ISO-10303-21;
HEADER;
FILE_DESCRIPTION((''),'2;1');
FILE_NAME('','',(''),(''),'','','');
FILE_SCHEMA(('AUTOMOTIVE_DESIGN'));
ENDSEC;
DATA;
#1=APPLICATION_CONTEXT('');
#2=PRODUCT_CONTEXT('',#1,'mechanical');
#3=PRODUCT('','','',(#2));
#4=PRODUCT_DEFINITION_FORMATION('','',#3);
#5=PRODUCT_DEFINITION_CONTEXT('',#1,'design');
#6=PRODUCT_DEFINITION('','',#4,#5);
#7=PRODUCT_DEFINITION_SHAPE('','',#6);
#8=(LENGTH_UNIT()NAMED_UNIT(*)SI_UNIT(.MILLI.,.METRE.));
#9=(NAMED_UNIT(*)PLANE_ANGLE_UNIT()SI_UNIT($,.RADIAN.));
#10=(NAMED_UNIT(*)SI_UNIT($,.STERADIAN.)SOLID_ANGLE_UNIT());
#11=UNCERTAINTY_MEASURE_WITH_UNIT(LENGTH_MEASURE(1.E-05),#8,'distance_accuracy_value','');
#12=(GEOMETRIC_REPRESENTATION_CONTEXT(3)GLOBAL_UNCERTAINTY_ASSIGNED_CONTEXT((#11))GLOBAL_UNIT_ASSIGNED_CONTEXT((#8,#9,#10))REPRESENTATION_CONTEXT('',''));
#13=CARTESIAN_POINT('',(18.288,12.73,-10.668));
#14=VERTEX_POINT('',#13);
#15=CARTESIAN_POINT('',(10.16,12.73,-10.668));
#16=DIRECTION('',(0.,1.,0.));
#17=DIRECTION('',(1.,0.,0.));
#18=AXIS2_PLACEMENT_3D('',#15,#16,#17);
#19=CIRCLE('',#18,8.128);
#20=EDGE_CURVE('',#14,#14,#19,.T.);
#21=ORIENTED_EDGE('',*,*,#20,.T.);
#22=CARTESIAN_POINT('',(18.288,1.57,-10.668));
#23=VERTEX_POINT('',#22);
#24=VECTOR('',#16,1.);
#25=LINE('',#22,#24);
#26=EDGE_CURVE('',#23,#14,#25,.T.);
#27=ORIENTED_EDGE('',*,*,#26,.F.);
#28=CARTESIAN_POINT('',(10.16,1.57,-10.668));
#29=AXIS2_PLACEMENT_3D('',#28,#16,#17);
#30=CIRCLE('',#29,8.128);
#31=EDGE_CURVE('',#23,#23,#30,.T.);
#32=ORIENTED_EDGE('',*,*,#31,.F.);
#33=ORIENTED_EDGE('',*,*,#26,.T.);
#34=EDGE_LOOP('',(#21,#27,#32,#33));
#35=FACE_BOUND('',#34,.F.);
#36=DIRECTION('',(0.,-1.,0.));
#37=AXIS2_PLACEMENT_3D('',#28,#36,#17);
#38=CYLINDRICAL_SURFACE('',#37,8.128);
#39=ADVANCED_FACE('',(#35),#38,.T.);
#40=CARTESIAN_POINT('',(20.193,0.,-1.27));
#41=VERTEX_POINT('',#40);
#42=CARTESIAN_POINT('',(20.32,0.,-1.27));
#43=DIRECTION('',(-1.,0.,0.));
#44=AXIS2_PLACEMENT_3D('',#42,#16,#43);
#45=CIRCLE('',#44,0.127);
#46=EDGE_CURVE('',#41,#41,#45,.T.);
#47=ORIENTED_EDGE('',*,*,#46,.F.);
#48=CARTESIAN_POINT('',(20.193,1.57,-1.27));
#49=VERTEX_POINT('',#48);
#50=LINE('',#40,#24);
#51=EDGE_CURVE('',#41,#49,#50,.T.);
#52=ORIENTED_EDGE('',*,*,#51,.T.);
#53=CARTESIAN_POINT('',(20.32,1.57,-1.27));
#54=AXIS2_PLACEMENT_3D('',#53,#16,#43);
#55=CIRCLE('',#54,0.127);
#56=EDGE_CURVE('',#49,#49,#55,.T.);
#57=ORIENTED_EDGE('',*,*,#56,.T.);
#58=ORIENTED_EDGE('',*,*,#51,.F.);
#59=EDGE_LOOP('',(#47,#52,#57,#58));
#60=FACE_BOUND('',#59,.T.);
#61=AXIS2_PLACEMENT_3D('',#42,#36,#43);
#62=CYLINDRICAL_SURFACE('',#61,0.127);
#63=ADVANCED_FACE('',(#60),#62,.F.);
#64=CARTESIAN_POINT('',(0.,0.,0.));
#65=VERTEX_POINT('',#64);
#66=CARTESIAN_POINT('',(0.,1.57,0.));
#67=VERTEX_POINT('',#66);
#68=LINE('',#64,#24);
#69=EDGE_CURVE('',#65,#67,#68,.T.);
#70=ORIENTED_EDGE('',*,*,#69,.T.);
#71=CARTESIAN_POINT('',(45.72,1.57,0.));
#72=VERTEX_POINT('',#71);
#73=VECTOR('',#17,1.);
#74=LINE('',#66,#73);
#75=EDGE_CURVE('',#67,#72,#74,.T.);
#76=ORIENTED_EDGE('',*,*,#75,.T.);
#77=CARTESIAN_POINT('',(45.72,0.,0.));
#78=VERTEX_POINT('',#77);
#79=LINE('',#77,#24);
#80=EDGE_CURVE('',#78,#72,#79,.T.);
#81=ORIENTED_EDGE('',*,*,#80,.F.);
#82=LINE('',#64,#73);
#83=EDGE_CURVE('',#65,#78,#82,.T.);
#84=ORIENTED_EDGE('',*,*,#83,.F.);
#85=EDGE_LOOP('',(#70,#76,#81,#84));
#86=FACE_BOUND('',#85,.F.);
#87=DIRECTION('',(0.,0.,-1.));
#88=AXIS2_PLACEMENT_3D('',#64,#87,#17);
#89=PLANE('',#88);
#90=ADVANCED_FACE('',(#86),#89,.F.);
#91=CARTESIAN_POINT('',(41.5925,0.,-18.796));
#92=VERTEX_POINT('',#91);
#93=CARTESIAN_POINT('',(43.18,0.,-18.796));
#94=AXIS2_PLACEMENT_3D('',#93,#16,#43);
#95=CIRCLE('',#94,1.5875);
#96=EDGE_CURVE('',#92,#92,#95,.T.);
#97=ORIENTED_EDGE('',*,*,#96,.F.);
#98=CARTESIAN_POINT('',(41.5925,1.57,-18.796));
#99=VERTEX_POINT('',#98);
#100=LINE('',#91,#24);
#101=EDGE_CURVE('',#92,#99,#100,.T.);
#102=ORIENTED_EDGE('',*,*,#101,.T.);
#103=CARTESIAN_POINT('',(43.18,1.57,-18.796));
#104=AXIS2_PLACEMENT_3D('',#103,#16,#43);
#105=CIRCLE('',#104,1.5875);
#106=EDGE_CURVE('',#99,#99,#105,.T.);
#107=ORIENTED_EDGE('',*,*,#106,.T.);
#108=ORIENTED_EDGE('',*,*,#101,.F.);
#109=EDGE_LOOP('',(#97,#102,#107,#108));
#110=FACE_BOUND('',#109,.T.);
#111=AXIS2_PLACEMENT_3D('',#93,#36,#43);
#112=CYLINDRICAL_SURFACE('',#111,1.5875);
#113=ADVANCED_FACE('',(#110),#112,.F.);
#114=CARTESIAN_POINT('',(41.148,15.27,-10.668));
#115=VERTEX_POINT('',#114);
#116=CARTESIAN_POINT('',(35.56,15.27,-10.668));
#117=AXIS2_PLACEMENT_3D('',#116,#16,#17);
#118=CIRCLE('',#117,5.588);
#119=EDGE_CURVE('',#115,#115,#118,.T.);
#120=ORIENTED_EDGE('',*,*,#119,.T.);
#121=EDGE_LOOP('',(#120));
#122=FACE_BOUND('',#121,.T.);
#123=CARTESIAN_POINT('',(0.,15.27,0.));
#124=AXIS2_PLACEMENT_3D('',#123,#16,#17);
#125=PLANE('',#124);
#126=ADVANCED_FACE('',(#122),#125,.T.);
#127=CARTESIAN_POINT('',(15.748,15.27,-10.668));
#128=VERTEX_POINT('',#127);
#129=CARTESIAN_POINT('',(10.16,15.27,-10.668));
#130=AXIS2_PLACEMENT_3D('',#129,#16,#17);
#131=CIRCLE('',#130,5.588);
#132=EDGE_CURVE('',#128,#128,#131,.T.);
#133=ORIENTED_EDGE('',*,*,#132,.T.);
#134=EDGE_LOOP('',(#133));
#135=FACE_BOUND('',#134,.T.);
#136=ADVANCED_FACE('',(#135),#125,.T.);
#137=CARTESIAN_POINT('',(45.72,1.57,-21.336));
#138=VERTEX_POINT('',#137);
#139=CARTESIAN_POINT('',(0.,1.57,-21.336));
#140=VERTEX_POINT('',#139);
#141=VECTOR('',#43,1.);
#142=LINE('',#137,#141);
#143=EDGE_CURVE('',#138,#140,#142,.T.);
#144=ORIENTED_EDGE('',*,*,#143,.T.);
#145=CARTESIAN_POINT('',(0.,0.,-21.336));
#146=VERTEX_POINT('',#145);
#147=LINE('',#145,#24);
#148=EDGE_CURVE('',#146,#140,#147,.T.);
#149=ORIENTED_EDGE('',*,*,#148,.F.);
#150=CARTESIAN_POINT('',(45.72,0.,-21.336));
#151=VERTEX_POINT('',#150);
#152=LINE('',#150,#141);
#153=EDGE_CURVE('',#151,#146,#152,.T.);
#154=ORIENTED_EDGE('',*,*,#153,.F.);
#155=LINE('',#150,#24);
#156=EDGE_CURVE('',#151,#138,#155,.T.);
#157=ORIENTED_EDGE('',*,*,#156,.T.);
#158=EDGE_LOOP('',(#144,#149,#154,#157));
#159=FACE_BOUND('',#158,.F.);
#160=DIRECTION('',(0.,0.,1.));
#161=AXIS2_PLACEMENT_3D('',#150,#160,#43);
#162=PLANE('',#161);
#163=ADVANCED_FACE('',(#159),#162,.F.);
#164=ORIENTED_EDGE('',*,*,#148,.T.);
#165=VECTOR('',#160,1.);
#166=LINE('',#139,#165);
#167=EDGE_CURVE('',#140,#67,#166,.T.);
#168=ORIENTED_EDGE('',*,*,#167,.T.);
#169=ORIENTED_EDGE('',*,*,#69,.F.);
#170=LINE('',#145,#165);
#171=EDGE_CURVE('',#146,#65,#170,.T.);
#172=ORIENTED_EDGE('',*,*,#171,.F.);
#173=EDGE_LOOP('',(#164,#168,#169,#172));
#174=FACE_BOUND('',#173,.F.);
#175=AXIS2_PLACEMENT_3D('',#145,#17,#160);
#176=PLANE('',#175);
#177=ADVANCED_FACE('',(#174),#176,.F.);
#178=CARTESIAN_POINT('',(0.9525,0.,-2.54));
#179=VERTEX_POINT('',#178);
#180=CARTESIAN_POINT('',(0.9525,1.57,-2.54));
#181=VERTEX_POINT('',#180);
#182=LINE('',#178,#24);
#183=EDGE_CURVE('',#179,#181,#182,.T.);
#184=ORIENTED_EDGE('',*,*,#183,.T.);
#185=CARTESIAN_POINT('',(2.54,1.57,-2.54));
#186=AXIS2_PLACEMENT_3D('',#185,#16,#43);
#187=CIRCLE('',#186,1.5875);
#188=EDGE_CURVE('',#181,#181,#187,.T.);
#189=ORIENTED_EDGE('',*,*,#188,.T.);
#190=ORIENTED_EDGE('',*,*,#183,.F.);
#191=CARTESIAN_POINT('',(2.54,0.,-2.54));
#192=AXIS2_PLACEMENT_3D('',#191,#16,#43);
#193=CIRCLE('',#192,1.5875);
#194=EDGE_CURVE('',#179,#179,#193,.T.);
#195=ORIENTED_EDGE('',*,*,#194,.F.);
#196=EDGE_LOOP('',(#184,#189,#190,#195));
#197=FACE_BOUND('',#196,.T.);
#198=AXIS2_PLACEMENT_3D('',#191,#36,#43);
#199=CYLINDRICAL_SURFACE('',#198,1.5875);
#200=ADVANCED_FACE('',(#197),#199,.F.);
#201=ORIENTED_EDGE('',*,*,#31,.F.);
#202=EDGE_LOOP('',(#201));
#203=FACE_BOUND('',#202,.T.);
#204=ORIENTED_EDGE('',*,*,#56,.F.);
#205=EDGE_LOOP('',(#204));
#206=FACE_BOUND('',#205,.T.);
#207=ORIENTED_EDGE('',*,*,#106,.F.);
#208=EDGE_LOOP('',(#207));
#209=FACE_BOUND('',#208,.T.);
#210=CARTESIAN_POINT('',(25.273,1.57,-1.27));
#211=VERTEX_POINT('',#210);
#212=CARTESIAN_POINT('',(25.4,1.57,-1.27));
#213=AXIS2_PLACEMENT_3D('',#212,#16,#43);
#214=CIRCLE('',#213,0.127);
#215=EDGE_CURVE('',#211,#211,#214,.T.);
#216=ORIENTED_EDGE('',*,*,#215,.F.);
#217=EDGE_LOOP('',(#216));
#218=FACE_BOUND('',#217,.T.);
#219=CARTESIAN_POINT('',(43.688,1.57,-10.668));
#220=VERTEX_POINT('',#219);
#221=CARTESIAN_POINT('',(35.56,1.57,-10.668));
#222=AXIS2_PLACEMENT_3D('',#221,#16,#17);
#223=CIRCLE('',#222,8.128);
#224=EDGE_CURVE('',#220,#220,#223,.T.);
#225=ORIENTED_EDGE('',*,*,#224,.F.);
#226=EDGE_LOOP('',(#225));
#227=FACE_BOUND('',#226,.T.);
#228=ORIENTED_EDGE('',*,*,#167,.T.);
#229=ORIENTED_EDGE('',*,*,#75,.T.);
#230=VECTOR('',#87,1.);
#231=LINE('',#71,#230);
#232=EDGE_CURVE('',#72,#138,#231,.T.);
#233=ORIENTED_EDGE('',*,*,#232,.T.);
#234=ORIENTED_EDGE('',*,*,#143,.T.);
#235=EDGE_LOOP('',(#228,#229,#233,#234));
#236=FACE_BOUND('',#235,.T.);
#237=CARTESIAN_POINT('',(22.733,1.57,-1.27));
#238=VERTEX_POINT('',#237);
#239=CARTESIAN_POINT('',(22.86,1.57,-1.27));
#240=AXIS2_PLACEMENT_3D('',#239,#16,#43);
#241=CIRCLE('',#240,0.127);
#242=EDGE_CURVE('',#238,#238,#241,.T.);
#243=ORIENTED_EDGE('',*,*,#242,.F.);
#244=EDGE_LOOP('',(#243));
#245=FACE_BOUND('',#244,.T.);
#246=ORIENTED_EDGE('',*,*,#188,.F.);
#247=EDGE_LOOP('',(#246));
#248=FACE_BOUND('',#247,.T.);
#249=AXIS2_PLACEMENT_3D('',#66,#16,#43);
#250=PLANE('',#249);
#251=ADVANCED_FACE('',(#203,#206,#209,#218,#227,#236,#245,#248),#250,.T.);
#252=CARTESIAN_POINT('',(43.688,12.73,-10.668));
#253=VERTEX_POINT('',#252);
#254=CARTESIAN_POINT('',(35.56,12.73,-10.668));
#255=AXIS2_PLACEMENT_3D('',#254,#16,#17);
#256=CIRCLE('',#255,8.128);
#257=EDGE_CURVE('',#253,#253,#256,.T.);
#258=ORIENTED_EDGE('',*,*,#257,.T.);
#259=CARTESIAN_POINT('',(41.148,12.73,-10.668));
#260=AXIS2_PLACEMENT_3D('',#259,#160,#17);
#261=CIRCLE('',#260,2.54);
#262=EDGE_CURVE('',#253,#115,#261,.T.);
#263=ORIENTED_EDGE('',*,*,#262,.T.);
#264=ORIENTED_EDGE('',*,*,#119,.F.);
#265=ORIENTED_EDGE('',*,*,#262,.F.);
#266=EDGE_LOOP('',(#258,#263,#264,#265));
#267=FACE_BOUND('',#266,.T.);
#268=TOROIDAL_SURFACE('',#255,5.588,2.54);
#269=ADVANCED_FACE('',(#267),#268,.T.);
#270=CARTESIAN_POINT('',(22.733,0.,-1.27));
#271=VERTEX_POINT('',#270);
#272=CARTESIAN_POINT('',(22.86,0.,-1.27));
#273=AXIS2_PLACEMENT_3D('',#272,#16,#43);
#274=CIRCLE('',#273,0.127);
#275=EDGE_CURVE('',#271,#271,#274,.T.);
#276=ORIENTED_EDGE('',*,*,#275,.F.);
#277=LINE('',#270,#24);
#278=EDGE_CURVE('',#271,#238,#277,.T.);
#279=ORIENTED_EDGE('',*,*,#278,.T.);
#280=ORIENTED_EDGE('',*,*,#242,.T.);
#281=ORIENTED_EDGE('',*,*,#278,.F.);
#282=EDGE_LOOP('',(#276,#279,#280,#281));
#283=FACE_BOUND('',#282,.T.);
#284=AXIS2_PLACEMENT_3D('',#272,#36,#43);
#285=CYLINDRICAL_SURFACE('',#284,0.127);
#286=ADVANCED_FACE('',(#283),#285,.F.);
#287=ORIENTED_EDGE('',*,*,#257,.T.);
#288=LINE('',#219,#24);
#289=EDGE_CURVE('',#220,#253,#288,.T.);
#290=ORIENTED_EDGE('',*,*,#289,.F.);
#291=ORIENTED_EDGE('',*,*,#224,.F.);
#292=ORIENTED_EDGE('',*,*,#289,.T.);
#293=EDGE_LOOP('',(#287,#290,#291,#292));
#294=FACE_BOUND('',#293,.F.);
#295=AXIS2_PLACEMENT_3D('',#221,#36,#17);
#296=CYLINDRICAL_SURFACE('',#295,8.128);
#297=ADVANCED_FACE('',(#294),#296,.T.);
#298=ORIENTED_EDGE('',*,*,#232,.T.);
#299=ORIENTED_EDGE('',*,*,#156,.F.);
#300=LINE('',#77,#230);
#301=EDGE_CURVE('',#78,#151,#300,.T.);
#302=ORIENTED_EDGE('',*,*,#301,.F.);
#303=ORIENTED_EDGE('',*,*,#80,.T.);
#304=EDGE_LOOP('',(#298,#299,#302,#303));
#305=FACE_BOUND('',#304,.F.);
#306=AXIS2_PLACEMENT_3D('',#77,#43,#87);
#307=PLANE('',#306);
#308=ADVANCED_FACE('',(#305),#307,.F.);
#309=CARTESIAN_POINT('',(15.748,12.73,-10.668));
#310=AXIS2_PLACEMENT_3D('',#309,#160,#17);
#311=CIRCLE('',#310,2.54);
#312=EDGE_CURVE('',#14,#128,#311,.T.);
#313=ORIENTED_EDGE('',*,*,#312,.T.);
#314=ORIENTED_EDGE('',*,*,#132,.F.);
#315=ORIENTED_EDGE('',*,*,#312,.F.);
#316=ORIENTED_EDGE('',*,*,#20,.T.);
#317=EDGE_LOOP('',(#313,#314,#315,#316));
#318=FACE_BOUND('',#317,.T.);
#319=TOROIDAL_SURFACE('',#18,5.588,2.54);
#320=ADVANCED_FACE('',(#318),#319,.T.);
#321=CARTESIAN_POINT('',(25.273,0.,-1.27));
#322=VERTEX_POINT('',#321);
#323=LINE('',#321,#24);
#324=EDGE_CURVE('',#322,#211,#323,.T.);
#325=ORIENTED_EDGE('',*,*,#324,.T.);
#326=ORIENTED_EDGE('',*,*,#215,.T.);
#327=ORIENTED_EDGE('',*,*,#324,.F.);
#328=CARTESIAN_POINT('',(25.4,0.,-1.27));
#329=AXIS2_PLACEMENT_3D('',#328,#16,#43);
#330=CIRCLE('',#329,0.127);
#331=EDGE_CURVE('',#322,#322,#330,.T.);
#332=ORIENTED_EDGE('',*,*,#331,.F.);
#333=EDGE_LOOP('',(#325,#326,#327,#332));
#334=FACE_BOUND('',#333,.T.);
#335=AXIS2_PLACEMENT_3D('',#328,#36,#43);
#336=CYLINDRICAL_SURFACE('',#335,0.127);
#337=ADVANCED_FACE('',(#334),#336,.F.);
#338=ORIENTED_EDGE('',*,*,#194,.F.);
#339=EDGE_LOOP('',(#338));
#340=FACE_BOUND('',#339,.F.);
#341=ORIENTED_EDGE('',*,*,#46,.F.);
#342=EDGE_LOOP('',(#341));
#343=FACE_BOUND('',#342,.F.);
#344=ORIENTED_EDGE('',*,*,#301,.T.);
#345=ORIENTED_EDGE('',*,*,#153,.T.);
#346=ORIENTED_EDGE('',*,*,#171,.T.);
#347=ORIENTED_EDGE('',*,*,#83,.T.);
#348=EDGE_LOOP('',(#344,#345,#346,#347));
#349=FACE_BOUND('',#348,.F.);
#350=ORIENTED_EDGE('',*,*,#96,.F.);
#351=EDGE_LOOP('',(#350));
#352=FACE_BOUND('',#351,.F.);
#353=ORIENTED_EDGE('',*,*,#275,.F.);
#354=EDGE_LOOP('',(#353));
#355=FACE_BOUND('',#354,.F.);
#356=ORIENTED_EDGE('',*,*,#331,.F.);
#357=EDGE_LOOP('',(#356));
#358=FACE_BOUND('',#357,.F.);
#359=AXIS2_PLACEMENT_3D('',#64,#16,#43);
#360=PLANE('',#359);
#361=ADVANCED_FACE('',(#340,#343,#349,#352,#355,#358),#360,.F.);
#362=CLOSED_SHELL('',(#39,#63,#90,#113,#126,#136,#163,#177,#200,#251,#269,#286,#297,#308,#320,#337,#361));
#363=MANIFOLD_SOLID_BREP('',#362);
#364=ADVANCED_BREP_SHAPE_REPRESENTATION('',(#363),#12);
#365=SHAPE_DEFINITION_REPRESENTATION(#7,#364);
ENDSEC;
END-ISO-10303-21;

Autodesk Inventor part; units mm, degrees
ref_plane "YZ Plane" through (0, 0, 0) normal (1, 0, 0) x (0, 1, 0)
ref_plane "XZ Plane" through (0, 0, 0) normal (0, 1, 0) x (-1, 0, 0)
ref_plane "XY Plane" through (0, 0, 0) normal (0, 0, 1) x (1, 0, 0)
sketch "Sketch1" plane through (0, 0, 0) normal (0, 1, 0) x (-1, 0, 0)
  line L0 (0, 0) -> (-45.72, 0)
  line L1 (-45.72, 0) -> (-45.72, -21.336)
  line L2 (-45.72, -21.336) -> (0, -21.336)
  line L3 (0, -21.336) -> (0, 0)
  circle A0 centre (-2.54, -2.54) radius 1.5875
  circle A1 centre (-43.18, -18.796) radius 1.5875
  line L4 (-22.86, -21.336) -> (-22.86, 0) construction
  circle A2 centre (-22.86, -1.27) radius 0.127
  circle A3 centre (-20.32, -1.27) radius 0.127
  circle A4 centre (-25.4, -1.27) radius 0.127
  dimension "d0" = 21.336
  dimension "d1" = 45.72
  dimension "d2" = 3.175
  dimension "d3" = 2.54
  dimension "d4" = 2.54
  dimension "d5" = 3.175
  dimension "d6" = 2.54
  dimension "d7" = 2.54
  dimension "d9" = 0.254
  dimension "d10" = 0.254
  dimension "d11" = 0.254
  dimension "d12" = 2.54
  dimension "d13" = 2.54
  dimension "d14" = 1.27
extrude "Extrusion1" add sketch "Sketch1" along normal blind 1.57
sketch "Sketch2" plane through (0, 1.57, 0) normal (0, 1, 0) x (1, 0, 0)
  circle A0 centre (10.16, 10.668) radius 8.128
  line L0 (45.72, 21.336) -> (0, 21.336) projected
  line L1 (22.86, 21.336) -> (22.86, 0) construction
  line L2 (0, 0) -> (45.72, 0) projected
  line L3 (0, 21.336) -> (0, 0) projected
  circle A1 centre (35.56, 10.668) radius 8.128
  dimension "d17" = 10.16
  dimension "d18" = 16.256
  dimension "d19" = 10.668
extrude "Extrusion2" add sketch "Sketch2" along normal blind 13.7
fillet "Fillet1" radius 2.54 1 edges at (2.032, 15.27, -10.668)
fillet "Fillet2" radius 2.54 1 edges at (27.432, 15.27, -10.668)
properties part number "ping"
